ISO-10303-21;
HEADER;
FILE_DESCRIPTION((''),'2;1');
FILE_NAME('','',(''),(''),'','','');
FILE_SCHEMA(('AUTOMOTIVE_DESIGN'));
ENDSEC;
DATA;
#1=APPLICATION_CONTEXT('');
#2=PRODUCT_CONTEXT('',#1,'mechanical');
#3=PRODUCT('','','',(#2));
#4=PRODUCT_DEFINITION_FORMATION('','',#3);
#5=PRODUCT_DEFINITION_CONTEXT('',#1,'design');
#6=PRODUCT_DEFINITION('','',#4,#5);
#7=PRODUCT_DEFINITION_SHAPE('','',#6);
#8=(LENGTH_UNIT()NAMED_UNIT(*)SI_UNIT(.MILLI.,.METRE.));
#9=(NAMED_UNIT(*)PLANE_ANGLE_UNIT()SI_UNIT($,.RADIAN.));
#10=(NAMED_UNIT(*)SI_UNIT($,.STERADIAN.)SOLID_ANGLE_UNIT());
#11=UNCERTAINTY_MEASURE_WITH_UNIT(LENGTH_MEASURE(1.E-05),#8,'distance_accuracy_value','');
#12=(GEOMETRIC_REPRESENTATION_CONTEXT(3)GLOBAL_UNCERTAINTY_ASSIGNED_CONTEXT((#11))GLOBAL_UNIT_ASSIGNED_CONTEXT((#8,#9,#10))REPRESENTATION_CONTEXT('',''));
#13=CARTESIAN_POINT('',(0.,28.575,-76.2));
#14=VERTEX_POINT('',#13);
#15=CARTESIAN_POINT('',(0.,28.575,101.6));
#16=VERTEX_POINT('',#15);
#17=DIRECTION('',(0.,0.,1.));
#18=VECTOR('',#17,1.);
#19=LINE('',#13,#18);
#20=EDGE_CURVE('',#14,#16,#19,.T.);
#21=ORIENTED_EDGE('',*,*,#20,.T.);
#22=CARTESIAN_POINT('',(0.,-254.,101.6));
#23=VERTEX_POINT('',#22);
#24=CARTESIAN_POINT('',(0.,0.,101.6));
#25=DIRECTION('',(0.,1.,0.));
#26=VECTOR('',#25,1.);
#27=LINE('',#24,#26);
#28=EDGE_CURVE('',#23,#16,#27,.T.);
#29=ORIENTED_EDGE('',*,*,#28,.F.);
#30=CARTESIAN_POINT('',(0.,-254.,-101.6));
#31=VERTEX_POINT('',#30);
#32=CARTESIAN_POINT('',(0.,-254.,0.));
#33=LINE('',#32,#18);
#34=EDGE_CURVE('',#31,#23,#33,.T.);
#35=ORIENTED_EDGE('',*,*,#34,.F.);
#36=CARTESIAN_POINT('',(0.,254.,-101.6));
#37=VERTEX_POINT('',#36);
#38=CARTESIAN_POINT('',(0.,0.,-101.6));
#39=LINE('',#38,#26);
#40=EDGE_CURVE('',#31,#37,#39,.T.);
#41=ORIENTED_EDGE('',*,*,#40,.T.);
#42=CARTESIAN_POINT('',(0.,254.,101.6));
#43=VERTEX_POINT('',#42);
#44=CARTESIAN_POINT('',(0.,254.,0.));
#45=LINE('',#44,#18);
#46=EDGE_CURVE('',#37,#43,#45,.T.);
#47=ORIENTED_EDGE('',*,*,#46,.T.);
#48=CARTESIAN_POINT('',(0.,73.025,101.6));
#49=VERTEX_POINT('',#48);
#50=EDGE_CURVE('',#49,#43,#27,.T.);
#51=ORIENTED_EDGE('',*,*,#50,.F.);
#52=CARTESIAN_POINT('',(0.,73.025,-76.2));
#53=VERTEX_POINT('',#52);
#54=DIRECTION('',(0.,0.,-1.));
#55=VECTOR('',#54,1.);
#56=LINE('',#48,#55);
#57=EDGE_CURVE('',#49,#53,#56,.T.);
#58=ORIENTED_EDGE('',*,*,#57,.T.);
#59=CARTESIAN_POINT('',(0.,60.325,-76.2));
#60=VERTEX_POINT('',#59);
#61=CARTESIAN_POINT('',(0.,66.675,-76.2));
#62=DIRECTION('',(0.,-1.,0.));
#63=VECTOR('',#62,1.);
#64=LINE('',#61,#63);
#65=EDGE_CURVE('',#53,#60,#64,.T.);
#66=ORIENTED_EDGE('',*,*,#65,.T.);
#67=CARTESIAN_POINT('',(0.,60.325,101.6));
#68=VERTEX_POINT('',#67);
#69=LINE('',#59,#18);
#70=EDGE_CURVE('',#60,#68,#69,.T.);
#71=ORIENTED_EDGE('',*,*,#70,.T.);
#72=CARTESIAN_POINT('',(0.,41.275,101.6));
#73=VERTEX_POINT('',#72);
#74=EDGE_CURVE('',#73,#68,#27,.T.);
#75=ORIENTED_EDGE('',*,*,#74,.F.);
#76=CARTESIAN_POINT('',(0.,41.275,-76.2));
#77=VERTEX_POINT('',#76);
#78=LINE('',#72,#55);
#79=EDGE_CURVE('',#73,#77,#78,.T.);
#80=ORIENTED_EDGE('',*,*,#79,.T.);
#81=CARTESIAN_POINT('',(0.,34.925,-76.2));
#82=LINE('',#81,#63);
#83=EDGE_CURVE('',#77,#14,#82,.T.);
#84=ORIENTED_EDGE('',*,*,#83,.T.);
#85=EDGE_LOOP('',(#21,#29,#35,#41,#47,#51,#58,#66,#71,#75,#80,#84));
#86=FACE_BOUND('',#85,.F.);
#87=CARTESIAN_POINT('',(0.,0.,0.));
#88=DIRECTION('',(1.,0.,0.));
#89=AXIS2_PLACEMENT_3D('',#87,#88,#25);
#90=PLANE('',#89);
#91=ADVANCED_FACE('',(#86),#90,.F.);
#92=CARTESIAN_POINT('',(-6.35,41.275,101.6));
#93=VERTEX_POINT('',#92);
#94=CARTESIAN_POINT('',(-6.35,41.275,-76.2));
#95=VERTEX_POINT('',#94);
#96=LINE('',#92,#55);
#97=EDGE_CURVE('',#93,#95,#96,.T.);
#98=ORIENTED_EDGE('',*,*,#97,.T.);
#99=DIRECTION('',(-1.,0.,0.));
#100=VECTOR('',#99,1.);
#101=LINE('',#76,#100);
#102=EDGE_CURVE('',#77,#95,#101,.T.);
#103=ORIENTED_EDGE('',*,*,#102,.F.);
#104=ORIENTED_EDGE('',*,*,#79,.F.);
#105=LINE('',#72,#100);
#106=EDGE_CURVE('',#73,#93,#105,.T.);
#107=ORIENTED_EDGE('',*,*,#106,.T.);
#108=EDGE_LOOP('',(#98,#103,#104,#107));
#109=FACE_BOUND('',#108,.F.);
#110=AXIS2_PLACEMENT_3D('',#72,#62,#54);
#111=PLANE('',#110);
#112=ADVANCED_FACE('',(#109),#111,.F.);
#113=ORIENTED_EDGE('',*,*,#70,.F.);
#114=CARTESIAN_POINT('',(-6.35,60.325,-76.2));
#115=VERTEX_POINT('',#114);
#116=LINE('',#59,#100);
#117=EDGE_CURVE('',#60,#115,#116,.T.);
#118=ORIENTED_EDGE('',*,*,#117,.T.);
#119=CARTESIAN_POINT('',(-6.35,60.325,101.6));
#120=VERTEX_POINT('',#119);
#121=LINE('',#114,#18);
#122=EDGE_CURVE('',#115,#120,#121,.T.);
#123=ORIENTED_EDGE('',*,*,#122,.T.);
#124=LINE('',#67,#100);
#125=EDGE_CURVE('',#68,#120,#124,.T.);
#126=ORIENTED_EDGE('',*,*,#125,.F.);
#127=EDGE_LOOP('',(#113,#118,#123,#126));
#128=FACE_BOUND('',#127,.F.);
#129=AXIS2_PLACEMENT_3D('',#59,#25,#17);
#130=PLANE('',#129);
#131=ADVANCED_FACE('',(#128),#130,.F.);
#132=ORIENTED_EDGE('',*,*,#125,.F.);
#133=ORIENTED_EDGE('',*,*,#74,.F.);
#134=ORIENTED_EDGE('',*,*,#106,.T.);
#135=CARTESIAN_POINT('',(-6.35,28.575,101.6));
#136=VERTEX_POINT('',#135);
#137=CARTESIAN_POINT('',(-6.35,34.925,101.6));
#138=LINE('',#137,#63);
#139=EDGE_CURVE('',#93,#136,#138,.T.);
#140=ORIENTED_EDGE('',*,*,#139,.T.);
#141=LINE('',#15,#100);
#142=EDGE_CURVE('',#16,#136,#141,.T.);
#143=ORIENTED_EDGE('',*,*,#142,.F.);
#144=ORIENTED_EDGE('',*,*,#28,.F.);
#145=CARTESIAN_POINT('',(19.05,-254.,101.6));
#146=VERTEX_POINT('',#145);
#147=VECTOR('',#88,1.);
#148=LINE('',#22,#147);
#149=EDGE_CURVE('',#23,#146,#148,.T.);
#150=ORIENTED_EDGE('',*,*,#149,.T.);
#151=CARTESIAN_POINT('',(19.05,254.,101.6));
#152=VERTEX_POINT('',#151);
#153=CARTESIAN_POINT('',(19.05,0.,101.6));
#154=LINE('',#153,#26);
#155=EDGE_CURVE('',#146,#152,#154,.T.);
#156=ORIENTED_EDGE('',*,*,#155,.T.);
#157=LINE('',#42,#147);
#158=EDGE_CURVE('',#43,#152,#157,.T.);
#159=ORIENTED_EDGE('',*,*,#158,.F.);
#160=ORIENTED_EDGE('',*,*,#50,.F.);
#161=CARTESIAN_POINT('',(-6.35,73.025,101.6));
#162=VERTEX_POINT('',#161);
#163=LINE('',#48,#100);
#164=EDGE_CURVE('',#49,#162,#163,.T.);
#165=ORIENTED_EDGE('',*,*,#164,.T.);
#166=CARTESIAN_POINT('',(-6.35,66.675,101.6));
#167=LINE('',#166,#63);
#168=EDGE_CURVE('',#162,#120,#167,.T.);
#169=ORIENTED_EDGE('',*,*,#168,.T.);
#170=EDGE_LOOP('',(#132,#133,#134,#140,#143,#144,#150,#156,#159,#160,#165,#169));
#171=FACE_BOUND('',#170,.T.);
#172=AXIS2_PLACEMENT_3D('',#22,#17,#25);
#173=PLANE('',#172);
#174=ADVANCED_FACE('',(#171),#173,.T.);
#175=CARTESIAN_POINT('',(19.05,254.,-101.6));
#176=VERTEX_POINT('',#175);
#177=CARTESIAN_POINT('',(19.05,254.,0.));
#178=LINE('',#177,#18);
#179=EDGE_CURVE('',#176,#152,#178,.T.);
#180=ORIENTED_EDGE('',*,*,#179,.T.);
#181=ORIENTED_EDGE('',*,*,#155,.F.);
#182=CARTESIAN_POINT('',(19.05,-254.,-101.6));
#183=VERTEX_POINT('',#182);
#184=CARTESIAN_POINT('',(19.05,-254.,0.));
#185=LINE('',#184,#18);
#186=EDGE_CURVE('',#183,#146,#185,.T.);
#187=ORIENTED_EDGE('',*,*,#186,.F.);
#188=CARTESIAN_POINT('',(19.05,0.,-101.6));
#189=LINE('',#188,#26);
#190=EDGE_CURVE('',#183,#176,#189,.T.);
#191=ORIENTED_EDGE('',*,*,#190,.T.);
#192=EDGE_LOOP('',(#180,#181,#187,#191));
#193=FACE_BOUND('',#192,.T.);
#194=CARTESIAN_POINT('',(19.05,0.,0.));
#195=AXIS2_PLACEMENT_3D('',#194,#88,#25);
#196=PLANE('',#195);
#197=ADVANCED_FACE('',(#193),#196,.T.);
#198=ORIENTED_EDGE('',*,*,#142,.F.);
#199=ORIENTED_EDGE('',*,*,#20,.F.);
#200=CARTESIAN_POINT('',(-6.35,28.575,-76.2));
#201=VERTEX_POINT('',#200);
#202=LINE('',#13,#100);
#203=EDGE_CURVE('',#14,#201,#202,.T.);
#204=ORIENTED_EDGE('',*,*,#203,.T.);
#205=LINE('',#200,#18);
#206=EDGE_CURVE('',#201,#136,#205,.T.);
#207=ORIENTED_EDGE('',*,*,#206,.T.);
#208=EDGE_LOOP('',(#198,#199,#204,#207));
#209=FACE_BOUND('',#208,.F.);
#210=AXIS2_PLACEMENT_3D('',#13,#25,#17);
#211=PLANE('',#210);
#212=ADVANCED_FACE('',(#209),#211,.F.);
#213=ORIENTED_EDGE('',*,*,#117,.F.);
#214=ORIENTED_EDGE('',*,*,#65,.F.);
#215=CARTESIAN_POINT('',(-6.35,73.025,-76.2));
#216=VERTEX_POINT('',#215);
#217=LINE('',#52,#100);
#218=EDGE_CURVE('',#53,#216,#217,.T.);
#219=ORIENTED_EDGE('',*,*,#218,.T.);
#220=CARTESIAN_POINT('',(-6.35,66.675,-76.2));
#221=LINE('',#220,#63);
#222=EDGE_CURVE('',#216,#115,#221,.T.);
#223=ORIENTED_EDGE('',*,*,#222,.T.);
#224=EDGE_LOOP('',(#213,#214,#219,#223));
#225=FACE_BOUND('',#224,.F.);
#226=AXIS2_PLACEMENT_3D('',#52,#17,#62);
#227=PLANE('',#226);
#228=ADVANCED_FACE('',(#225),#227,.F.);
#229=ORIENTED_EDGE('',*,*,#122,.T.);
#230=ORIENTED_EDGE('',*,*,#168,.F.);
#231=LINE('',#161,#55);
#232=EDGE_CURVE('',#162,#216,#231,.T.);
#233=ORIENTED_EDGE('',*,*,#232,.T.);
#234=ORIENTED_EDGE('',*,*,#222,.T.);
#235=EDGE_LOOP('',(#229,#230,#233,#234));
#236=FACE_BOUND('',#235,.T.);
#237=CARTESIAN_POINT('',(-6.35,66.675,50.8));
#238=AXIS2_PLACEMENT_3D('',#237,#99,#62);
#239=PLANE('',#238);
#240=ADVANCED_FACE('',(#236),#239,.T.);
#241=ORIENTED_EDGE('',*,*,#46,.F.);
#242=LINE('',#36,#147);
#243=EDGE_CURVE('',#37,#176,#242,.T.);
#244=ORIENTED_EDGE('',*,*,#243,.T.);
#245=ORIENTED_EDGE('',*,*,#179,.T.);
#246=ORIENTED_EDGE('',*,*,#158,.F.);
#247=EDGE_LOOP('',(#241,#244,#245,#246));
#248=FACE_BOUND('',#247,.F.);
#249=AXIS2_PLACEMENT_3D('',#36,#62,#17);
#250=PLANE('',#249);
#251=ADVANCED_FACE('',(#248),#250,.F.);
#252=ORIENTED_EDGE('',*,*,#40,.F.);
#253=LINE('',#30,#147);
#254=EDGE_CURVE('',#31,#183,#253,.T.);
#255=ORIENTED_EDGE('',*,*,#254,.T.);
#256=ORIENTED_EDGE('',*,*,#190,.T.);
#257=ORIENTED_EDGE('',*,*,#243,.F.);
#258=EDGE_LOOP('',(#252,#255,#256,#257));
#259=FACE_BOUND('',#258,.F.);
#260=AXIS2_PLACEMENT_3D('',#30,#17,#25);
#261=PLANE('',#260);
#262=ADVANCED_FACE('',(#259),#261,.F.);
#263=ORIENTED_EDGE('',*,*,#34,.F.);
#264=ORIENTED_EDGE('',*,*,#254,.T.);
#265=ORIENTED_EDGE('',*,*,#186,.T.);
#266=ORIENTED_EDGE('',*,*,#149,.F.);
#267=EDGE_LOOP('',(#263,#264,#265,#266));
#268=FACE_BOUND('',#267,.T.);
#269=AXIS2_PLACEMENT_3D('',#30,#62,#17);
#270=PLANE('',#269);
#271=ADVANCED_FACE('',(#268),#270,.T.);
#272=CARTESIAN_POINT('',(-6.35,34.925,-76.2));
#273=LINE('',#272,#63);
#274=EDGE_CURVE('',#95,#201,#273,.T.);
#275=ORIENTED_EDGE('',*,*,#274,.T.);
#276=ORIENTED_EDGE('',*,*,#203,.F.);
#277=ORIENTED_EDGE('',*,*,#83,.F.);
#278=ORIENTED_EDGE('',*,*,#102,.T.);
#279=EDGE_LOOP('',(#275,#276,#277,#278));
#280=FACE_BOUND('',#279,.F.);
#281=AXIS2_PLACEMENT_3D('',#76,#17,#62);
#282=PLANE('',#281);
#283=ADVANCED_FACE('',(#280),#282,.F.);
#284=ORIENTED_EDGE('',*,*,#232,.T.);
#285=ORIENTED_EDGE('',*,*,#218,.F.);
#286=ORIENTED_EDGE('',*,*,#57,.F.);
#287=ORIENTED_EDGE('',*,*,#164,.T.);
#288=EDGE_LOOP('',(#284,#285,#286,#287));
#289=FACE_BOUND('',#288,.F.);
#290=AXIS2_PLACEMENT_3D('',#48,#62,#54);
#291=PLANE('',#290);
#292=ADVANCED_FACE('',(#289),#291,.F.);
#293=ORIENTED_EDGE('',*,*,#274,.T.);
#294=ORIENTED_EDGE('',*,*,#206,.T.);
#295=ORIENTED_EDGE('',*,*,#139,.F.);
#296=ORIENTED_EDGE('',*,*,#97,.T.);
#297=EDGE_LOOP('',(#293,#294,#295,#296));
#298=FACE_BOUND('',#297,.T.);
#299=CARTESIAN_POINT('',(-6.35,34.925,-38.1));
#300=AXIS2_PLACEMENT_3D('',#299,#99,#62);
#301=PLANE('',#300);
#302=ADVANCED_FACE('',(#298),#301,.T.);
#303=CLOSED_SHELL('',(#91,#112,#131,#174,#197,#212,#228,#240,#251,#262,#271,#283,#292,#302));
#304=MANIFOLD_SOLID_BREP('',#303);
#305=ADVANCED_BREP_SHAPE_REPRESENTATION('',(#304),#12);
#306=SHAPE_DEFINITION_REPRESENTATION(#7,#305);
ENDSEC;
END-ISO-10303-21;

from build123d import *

# Parameters (mm, degrees)
F0_W     = 508
F0_H     = 203.2
F1_DEPTH = 19.05
F2_W     = 12.7
F2_H     = 101.6
F2_H_2   = 76.2
F3_DEPTH = 6.35


with BuildPart() as f1:
    # F0 (on Right) → F1 (new body)
    with BuildSketch(Plane.YZ):
        Rectangle(F0_W, F0_H)
    extrude(amount=F1_DEPTH)

    # F2 (on face) → F3 (join)
    with BuildSketch(Plane(origin=(0, 0, 0), x_dir=(0, -1, 0), z_dir=(-1, 0, 0))):
        with Locations((-66.675, 50.8)):
            Rectangle(F2_W, F2_H)
        with Locations((-66.675, -38.1)):
            Rectangle(F2_W, F2_H_2)
        with Locations((-34.925, -38.1)):
            Rectangle(F2_W, F2_H_2)
        with Locations((-34.925, 50.8)):
            Rectangle(F2_W, F2_H)
    extrude(amount=F3_DEPTH)


solid = f1.part
